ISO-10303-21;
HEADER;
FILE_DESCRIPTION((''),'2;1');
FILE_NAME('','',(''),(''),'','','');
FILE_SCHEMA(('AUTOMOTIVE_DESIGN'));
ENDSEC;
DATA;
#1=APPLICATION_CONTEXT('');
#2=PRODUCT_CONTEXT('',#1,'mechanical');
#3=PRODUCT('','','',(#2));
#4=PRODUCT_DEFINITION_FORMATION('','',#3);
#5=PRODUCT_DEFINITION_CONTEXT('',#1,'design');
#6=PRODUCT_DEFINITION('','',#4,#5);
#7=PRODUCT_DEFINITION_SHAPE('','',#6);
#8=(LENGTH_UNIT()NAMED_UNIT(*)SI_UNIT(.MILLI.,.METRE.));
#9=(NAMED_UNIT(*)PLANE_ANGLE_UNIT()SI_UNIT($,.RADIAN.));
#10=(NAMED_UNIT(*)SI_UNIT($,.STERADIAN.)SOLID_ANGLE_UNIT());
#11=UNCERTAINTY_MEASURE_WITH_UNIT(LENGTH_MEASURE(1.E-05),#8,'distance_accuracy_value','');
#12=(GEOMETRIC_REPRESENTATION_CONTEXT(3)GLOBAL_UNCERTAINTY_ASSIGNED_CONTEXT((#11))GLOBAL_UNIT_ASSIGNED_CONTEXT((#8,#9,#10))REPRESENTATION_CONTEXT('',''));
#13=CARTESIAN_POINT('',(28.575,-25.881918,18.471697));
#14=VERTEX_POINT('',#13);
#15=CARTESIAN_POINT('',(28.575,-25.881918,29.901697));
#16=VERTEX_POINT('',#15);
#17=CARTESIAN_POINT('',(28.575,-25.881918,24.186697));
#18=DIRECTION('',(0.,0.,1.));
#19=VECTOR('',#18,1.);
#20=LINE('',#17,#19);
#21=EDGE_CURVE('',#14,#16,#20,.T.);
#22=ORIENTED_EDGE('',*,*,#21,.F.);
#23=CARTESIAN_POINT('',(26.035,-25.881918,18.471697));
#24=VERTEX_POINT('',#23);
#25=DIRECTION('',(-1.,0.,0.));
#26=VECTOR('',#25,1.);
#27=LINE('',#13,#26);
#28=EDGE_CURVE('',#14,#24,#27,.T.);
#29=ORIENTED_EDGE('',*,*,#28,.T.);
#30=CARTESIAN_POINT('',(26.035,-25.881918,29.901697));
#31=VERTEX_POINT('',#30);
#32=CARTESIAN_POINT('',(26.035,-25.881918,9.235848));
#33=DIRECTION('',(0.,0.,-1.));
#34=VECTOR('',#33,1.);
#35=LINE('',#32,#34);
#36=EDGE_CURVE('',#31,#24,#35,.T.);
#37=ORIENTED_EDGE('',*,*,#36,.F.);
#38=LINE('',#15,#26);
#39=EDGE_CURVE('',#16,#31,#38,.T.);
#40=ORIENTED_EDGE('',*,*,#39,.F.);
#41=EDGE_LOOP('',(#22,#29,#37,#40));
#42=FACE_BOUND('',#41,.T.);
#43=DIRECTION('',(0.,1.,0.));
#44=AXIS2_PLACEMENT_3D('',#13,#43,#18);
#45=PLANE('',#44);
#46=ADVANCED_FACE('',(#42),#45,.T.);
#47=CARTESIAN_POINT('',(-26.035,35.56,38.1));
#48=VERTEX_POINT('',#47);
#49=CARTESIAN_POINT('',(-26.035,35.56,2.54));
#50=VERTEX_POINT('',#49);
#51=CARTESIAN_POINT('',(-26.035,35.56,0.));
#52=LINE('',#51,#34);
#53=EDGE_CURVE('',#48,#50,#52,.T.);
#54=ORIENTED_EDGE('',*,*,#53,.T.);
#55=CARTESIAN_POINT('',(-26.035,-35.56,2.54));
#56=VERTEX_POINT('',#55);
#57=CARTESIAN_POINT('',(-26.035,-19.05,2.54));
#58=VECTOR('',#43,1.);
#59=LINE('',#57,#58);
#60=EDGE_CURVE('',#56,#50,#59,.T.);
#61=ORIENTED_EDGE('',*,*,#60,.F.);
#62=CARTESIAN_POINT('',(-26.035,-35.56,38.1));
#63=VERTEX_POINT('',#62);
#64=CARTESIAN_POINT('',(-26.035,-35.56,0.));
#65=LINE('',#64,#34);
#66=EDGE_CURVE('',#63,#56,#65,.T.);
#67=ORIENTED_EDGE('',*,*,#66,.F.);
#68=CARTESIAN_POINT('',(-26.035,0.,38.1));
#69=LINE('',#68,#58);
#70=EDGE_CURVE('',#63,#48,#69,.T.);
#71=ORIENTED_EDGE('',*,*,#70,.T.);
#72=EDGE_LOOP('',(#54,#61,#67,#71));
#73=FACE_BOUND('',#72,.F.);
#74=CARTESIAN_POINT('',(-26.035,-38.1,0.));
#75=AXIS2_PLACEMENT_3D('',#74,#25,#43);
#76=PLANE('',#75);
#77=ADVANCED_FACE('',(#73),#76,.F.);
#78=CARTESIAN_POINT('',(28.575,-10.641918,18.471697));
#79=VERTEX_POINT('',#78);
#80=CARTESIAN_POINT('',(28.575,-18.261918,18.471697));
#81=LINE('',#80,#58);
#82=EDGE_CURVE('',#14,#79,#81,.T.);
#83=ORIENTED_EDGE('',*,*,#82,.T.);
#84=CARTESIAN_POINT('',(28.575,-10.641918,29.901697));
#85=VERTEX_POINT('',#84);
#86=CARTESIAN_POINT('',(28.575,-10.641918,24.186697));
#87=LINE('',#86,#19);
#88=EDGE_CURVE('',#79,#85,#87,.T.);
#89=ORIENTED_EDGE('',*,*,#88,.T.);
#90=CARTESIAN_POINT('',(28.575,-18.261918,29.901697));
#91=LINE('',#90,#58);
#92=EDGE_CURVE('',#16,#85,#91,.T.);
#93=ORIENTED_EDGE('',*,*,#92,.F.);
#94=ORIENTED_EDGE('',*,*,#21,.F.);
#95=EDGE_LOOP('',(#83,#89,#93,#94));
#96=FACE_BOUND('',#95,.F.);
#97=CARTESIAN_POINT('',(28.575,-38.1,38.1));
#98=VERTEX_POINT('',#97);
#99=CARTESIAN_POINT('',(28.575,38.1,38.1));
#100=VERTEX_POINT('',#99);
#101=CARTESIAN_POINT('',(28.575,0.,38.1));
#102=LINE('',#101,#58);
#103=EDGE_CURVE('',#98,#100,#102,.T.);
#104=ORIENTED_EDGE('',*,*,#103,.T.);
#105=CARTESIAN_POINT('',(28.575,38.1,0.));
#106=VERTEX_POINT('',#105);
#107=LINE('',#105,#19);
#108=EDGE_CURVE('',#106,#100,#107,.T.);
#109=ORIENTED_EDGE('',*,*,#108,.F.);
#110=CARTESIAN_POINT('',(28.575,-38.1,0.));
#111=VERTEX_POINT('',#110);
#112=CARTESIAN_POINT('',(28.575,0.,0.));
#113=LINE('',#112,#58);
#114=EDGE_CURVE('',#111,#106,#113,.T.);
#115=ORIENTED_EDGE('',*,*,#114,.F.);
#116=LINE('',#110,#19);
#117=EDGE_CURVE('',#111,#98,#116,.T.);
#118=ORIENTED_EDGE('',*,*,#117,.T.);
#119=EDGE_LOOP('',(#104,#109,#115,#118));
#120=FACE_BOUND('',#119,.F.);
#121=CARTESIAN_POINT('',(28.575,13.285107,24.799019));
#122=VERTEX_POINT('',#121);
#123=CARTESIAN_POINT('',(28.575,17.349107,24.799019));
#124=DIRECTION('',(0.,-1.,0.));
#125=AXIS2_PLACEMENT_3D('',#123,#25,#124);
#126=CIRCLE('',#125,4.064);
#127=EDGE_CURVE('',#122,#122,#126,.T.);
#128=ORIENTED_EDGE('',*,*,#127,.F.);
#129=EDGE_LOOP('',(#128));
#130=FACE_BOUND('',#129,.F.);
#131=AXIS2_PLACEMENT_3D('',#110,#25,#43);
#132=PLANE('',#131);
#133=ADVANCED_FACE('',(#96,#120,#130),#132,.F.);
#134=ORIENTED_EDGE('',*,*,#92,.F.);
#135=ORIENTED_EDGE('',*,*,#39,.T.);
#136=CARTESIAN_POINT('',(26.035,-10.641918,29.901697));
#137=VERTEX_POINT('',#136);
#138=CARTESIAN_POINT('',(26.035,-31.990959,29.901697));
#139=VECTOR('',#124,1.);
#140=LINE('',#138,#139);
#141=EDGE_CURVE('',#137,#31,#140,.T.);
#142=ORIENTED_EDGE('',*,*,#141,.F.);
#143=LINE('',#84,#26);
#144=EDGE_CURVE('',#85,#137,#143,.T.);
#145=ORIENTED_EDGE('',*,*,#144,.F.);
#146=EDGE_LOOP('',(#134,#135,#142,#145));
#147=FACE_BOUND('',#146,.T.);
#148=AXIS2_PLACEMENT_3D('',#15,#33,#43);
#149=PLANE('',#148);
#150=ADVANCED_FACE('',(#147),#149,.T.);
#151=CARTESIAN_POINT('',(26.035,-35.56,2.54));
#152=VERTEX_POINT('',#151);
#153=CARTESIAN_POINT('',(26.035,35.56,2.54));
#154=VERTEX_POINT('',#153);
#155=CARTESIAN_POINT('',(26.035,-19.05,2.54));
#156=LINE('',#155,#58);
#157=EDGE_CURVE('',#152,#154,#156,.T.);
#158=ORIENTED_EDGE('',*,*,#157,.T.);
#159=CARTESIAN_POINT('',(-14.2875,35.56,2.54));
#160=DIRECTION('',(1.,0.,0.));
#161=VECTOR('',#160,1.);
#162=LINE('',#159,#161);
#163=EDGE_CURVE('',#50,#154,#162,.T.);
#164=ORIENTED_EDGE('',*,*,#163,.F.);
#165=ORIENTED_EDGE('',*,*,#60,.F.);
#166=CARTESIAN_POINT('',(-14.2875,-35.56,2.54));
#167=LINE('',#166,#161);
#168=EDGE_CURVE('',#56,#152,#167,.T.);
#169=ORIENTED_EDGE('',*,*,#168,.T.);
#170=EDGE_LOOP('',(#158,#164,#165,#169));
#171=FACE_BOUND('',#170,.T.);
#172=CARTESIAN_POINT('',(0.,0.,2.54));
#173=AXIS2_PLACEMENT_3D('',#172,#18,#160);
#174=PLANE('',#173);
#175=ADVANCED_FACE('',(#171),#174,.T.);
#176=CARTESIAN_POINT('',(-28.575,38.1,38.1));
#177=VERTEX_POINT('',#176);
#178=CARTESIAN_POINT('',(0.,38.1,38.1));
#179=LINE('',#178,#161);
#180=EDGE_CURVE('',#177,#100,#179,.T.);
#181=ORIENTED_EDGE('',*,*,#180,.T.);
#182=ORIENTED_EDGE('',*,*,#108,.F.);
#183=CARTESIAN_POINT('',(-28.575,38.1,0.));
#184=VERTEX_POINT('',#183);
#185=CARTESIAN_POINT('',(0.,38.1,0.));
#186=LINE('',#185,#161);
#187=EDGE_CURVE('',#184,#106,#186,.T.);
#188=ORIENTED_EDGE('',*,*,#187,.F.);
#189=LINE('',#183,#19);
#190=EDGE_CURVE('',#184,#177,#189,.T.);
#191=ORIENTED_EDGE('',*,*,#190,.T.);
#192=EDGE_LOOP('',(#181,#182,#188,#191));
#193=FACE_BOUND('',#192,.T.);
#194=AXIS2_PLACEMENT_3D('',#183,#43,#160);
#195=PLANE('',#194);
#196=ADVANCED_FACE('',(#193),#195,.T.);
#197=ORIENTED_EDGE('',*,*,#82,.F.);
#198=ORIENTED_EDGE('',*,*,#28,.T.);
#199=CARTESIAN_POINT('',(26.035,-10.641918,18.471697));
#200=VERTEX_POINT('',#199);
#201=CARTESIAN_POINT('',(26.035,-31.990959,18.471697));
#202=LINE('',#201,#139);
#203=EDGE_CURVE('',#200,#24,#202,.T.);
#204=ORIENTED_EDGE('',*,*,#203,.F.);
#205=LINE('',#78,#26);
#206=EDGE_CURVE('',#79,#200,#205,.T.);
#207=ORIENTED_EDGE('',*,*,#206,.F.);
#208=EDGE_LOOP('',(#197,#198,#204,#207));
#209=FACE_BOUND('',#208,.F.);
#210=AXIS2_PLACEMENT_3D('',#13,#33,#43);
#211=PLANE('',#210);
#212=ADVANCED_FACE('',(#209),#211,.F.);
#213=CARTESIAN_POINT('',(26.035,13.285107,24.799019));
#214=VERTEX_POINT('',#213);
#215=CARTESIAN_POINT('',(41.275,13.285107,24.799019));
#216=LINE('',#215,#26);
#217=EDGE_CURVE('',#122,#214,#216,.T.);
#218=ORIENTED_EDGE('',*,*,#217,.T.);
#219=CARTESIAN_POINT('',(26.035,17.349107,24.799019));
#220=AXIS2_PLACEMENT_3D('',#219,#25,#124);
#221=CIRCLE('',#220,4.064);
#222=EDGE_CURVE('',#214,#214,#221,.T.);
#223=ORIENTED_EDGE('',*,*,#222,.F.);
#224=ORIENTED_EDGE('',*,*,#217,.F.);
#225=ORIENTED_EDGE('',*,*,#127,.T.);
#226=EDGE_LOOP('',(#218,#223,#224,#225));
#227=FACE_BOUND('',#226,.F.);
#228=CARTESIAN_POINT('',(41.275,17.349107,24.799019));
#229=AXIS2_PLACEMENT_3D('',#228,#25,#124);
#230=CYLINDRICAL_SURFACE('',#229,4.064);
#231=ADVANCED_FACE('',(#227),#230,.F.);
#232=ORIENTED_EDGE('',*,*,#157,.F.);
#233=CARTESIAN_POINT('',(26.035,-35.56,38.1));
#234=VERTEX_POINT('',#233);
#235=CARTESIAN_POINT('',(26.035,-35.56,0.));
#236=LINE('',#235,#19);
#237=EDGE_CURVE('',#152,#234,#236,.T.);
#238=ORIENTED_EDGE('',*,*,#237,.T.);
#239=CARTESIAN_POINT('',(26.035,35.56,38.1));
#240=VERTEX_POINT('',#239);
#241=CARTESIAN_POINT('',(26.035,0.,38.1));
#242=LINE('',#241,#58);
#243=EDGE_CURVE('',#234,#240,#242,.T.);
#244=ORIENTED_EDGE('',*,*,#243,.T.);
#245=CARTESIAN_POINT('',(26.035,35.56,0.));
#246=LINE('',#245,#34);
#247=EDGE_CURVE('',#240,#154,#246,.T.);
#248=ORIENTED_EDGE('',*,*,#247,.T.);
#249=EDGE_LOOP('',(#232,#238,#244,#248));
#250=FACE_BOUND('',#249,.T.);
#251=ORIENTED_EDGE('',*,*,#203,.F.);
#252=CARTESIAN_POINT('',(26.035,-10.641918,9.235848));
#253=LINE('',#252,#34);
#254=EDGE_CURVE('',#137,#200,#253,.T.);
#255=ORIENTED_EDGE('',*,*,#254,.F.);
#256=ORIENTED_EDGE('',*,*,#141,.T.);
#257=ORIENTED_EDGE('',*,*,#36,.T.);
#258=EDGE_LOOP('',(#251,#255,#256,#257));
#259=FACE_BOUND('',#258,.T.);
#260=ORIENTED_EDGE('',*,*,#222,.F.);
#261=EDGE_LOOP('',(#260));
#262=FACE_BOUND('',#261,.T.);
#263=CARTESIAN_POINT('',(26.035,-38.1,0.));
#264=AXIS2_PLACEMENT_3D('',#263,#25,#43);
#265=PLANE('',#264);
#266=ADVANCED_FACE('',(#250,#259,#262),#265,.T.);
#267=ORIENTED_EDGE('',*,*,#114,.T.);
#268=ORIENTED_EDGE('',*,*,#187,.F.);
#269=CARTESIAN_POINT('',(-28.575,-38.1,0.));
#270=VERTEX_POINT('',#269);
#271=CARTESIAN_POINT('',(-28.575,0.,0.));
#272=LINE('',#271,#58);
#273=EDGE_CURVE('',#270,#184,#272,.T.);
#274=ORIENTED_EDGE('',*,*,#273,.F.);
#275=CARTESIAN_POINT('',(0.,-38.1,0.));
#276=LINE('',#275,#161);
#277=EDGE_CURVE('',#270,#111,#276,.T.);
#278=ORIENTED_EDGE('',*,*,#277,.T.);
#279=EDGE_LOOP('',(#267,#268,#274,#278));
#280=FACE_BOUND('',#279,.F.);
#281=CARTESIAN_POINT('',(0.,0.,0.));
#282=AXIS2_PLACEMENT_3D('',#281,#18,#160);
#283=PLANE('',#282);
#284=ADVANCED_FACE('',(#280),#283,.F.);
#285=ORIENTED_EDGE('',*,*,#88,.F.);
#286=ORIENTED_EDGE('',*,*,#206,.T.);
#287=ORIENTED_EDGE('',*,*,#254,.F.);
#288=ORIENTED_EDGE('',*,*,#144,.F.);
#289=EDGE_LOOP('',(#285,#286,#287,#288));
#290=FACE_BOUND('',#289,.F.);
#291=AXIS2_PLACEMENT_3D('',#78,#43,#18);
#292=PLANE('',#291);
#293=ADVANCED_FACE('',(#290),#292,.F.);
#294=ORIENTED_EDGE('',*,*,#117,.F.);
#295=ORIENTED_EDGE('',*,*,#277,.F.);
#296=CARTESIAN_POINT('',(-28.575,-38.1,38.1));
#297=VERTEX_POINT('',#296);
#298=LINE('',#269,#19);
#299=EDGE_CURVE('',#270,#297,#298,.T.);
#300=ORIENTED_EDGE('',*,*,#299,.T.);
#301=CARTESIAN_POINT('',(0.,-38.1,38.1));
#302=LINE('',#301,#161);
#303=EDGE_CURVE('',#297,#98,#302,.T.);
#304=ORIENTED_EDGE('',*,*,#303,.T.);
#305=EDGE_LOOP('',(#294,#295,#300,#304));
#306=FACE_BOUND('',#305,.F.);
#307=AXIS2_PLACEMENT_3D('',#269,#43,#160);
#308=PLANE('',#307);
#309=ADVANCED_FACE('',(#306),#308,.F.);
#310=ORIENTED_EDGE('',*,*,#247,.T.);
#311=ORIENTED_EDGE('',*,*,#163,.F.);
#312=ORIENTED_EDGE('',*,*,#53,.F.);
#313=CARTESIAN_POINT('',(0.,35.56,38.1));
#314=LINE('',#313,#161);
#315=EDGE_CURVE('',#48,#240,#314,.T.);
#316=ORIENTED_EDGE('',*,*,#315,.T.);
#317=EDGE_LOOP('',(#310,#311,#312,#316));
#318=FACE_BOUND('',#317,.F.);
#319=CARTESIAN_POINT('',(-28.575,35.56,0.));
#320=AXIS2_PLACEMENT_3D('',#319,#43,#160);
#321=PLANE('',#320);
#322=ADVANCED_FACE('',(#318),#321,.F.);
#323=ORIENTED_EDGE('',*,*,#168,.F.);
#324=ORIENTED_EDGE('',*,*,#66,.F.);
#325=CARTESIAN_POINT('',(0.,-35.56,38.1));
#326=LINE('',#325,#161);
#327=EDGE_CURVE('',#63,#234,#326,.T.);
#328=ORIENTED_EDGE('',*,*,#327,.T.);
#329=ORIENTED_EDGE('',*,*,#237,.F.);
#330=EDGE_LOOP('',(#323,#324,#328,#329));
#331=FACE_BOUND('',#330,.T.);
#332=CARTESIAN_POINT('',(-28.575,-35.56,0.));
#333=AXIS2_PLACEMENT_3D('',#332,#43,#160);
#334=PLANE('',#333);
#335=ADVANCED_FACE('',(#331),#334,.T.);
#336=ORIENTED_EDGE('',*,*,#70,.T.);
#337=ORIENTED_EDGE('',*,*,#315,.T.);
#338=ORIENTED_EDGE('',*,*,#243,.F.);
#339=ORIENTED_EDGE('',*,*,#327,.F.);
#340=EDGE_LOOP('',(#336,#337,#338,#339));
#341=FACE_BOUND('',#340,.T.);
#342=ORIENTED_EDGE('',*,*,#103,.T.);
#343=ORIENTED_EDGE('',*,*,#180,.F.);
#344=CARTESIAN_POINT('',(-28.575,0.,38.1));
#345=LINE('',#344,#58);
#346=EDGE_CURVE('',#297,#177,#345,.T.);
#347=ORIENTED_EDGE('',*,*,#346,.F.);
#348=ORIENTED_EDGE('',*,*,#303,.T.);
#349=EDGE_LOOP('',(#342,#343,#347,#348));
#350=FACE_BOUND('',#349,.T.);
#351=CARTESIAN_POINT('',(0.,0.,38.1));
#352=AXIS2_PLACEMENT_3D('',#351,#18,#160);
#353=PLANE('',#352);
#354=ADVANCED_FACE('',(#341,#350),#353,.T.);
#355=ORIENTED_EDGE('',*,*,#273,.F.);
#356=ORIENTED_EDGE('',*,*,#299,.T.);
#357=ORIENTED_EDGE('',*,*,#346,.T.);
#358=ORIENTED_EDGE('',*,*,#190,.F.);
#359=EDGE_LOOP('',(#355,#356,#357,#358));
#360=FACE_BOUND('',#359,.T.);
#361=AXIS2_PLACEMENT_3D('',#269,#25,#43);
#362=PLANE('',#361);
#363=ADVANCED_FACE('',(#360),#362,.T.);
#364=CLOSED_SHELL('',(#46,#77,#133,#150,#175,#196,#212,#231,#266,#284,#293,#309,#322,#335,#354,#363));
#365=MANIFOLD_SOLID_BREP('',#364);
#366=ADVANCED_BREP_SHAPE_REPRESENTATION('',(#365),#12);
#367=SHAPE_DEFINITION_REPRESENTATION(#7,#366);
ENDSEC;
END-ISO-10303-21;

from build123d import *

# Parameters (mm, degrees)
F0_W     = 57.15
F0_H     = 76.2
F1_DEPTH = 38.1
F2_T     = -2.54
F3_W     = 15.24
F3_H     = 11.43
F4_DEPTH = 25.4
F6_D     = 8.128
F6_DEPTH = 12.7


with BuildPart() as f1:
    # F0 (on Top) → F1 (new body)
    with BuildSketch(Plane.XY):
        Rectangle(F0_W, F0_H)
    extrude(amount=F1_DEPTH)

    # F2
    f2_openings = [f1.faces().sort_by_distance(p)[0] for p in [
        (0, 0, 38.1),
    ]]
    offset(amount=F2_T, openings=f2_openings)

    # F3 (on face) → F4 (cut)
    with BuildSketch(Plane.YZ.offset(28.575)):
        with Locations((-18.261918, 24.186697)):
            Rectangle(F3_W, F3_H)
    extrude(amount=-F4_DEPTH, mode=Mode.SUBTRACT)

    # F6
    with Locations(Plane.YZ.offset(28.575)):
        with Locations((17.349107, 24.799019)):
            Hole(F6_D / 2, depth=F6_DEPTH)


solid = f1.part
